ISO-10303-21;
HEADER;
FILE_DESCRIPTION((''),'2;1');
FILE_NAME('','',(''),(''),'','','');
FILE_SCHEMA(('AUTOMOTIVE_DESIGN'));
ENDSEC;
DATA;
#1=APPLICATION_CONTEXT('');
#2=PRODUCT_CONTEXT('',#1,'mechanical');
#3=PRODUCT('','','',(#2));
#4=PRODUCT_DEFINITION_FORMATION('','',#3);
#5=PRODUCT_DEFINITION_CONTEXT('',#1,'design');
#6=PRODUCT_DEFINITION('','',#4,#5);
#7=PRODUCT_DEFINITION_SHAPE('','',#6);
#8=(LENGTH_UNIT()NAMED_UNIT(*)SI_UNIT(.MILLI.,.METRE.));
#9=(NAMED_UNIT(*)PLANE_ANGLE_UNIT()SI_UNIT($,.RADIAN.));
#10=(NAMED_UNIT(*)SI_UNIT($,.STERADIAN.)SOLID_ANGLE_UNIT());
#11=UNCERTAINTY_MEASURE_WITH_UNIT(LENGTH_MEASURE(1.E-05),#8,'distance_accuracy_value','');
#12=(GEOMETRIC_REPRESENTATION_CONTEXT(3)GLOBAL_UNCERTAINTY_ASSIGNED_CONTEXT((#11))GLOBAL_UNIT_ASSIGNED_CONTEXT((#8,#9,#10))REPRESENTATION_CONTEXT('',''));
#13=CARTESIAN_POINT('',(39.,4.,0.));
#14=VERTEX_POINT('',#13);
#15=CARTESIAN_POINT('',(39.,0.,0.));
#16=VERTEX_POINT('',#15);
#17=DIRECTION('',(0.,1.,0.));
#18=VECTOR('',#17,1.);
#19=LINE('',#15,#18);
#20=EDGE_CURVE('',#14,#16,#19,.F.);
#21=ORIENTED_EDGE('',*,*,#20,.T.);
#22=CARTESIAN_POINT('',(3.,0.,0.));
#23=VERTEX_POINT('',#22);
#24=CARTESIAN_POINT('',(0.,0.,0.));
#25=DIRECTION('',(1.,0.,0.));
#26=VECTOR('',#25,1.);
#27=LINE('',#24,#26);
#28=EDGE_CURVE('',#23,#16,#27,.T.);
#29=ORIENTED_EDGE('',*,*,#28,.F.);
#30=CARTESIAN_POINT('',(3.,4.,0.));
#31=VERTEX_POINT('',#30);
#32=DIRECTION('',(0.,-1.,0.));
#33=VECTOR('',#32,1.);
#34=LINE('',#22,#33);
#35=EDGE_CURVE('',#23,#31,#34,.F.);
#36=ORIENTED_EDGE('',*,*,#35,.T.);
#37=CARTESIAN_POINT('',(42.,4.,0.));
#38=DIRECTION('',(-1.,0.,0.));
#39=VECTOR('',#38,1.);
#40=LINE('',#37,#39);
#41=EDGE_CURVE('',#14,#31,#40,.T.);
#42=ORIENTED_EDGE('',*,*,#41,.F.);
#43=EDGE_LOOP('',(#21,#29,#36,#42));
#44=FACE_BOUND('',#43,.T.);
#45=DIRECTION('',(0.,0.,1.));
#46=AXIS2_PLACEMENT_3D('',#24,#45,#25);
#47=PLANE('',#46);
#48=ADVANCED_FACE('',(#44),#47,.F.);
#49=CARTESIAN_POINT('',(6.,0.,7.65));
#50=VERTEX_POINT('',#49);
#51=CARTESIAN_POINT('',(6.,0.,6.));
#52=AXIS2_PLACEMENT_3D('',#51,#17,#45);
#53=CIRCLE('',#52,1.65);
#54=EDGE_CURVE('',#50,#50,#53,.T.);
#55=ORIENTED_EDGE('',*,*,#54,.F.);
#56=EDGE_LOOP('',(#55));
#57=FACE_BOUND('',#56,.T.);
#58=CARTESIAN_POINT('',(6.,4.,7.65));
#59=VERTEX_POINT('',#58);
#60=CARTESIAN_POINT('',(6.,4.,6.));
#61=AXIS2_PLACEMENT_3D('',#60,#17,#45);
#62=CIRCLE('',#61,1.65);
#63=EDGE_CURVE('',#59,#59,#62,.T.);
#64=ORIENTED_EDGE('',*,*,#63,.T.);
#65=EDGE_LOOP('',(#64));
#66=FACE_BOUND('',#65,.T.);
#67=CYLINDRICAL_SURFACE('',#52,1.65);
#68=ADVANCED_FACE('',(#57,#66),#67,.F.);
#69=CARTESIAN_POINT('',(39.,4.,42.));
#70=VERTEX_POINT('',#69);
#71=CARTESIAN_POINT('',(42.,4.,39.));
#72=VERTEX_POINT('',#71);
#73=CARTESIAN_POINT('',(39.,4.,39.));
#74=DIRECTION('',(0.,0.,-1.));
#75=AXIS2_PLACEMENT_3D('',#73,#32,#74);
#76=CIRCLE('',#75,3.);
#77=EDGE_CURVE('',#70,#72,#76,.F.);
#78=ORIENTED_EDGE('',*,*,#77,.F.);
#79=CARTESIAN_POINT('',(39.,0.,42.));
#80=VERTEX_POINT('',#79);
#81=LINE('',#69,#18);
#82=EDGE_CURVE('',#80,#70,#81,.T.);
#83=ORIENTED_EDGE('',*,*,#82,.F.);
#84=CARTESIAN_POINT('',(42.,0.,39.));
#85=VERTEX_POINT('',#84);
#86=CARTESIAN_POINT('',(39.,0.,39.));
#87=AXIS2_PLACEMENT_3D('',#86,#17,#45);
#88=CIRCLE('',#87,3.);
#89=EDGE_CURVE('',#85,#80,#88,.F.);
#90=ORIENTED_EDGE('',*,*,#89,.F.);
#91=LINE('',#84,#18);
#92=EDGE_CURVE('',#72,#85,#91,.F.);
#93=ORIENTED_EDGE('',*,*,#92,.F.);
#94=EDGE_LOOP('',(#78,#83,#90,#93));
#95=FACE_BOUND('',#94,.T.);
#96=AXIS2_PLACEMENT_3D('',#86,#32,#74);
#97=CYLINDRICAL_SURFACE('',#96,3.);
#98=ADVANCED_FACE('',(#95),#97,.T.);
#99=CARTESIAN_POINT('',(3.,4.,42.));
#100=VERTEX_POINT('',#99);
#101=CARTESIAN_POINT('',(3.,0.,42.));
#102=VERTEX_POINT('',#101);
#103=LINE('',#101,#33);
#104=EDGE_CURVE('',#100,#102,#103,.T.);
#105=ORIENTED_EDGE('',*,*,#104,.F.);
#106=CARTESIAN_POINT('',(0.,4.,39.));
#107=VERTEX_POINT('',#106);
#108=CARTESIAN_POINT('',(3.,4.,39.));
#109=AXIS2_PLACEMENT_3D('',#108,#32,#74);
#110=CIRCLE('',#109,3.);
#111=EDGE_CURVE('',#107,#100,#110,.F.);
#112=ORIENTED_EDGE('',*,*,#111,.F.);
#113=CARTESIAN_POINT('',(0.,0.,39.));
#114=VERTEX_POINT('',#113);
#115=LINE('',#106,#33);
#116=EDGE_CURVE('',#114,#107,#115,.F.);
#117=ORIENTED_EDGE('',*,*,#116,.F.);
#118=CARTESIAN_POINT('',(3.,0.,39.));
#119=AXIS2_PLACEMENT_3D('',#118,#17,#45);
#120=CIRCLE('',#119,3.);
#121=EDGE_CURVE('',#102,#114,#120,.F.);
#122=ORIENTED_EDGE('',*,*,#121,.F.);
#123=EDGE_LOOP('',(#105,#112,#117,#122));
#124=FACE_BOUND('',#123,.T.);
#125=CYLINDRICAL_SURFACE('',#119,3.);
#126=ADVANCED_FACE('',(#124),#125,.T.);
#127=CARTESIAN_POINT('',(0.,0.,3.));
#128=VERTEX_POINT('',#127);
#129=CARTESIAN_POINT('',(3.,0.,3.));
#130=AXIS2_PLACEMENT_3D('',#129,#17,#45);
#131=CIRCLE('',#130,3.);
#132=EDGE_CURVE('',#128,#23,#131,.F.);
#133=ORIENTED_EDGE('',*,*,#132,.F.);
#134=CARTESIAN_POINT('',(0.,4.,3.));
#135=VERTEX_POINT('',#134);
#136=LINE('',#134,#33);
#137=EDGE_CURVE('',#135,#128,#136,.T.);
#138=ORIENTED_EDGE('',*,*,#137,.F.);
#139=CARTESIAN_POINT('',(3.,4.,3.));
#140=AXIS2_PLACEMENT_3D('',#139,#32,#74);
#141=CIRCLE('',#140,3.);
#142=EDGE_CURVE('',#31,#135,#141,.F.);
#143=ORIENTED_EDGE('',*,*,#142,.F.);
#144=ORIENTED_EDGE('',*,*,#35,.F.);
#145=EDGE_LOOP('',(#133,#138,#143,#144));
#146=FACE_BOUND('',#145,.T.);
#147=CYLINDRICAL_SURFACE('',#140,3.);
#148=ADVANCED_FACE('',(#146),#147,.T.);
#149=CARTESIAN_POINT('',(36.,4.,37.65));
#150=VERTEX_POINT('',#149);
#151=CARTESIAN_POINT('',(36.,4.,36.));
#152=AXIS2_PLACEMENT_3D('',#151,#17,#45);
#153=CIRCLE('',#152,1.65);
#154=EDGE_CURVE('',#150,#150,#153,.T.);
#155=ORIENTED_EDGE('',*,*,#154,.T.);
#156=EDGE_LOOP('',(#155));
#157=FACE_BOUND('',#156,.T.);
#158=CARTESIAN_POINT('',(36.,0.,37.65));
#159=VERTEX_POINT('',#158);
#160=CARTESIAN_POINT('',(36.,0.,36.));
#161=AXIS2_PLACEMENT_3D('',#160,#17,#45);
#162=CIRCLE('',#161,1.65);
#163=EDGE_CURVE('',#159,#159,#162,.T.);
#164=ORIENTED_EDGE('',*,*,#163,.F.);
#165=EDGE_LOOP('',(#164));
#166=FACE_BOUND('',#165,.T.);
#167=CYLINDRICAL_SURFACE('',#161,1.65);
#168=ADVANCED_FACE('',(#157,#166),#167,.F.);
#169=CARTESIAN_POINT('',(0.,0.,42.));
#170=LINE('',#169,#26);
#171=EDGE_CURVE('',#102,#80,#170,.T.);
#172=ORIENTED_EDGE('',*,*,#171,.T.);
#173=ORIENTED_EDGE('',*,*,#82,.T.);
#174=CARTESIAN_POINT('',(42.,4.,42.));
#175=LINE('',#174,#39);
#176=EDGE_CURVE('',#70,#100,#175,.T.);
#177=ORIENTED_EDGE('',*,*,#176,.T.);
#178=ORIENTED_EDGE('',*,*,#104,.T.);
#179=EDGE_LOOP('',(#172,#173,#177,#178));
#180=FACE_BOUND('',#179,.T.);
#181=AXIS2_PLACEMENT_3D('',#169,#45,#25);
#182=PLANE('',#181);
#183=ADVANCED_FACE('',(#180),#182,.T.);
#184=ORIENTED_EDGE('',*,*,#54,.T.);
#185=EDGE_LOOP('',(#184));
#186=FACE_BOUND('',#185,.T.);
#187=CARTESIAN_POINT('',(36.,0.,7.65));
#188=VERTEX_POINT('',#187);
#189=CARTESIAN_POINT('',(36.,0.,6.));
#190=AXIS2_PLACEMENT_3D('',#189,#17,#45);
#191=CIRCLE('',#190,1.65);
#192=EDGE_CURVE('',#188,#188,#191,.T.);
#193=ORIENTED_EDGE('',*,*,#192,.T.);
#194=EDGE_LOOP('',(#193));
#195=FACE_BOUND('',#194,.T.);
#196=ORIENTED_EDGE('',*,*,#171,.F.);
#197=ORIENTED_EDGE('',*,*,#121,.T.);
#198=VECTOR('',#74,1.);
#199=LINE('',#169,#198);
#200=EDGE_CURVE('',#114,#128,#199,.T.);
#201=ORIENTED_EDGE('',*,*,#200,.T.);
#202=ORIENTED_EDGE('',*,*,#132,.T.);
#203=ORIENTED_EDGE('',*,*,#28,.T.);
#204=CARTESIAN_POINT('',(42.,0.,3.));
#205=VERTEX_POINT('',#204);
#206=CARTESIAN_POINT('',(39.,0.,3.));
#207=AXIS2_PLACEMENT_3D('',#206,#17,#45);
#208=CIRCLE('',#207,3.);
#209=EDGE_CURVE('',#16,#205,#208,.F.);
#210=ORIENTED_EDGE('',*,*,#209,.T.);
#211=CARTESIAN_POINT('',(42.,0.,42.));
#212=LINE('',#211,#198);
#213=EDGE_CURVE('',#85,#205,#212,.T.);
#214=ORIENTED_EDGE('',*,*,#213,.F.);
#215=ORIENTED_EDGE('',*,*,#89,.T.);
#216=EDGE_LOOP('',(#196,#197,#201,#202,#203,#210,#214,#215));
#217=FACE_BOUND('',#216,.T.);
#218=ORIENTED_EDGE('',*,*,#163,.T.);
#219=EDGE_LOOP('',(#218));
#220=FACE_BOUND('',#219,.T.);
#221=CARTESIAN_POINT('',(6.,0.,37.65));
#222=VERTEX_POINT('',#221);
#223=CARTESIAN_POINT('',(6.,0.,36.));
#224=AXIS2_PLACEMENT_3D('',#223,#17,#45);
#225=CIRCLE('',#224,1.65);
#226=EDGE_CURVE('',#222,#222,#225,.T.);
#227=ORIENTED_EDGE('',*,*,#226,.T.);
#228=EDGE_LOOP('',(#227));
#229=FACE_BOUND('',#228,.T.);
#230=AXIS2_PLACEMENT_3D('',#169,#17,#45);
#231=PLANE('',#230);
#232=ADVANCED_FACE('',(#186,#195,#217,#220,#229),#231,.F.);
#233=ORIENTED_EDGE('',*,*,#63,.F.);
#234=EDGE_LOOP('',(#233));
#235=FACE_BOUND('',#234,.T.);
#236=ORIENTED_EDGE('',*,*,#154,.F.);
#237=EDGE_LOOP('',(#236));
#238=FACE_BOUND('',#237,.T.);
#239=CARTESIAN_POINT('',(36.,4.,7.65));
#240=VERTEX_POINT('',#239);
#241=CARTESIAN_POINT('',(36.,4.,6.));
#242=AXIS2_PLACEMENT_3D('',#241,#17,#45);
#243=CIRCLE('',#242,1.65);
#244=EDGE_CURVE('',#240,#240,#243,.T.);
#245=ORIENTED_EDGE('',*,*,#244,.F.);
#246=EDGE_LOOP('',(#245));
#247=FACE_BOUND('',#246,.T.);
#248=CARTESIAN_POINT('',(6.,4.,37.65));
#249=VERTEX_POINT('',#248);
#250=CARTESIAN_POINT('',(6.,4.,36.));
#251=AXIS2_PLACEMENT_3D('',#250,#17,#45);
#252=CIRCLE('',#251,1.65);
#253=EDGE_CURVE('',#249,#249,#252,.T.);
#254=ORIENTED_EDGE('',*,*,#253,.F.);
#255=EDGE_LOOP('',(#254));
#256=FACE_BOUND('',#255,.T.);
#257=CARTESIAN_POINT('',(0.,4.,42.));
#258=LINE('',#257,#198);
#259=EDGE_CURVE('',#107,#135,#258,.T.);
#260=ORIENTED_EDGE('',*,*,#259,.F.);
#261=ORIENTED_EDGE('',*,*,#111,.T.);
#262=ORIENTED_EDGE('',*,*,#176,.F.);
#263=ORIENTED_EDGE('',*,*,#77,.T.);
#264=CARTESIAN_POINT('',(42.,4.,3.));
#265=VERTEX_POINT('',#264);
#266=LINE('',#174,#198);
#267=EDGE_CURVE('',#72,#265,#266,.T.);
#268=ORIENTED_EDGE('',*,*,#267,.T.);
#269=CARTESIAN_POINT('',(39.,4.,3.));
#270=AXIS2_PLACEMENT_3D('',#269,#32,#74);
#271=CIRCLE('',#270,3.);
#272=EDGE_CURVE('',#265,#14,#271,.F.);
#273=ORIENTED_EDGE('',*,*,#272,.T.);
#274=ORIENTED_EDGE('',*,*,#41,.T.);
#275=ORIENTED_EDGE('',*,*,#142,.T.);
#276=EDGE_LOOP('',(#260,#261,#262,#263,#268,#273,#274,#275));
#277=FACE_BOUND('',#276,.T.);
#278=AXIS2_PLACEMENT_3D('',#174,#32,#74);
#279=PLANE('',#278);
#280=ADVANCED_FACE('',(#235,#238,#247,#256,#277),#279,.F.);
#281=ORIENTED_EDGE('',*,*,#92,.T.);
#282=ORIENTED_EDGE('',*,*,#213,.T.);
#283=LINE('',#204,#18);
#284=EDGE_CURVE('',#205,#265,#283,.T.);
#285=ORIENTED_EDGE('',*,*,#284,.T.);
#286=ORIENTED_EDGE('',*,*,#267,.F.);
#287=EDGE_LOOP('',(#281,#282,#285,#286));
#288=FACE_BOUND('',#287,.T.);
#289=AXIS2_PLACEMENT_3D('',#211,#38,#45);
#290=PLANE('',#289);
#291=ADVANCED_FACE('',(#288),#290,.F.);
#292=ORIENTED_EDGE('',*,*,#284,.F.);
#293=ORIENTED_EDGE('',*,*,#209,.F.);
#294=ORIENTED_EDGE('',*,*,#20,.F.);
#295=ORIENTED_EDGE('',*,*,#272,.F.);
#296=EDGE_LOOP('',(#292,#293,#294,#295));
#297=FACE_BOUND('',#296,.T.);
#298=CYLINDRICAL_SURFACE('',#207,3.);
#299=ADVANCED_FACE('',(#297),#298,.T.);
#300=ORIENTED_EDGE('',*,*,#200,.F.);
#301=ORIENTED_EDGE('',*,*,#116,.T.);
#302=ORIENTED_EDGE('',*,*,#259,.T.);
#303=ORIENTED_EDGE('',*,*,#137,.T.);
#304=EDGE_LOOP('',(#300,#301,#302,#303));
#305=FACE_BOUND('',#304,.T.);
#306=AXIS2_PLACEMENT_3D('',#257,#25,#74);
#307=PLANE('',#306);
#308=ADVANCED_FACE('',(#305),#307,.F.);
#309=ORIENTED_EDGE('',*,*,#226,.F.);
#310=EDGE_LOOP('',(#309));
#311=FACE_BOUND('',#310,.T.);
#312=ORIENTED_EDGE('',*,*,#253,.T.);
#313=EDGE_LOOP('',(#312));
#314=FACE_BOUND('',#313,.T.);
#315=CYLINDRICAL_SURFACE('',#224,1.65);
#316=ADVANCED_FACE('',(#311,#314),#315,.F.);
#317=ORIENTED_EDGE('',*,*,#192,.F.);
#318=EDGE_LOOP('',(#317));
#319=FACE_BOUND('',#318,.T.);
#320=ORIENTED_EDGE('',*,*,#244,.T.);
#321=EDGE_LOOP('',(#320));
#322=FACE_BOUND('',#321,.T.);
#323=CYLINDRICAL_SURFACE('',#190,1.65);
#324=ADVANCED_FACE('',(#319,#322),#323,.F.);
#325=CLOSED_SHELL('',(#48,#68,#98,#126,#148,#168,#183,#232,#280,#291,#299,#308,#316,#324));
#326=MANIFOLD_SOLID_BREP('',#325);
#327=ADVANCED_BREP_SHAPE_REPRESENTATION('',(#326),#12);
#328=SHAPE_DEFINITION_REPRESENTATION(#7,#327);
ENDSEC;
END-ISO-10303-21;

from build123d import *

# Parameters (mm, degrees)
SKETCH_1_W          = 42
SKETCH_1_H          = 4
BLOCKEXTRUDE_DEPTH  = 42
FILLET_2_R          = 3
SKETCH_2_R          = 1.65
MOUNT_HOLE_DEPTH    = 60.531504265
SKETCH_3_R          = 1.65
CUT_EXTRUDE_2_DEPTH = 60.531504265
SKETCH_4_R          = 1.65
CUT_EXTRUDE_3_DEPTH = 60.531504265
SKETCH_5_R          = 1.65
CUT_EXTRUDE_4_DEPTH = 60.531504265


with BuildPart() as part:
    # 草图1 → BlockExtrude (new body)
    with BuildSketch(Plane.XY):
        with Locations((21, 2)):
            Rectangle(SKETCH_1_W, SKETCH_1_H)
    extrude(amount=BLOCKEXTRUDE_DEPTH)

    # Fillet 2
    fillet_2_edges = [part.edges().sort_by_distance(p)[0] for p in [
        (42, 2, 42),
        (0, 2, 42),
        (42, 2, 0),
        (0, 2, 0),
    ]]
    fillet(fillet_2_edges, radius=FILLET_2_R)

    # 草图2 → Mount_hole (cut, through all)
    with BuildSketch(Plane(origin=(0, 4, 0), x_dir=(1, 0, 0), z_dir=(0, 1, 0))):
        with Locations(Location((6, -6, 0), (0, 0, 270))):
            Circle(SKETCH_2_R)
    extrude(amount=-MOUNT_HOLE_DEPTH, mode=Mode.SUBTRACT)

    # 草图3 → 切除-拉伸2 (cut, through all)
    with BuildSketch(Plane(origin=(0, 4, 0), x_dir=(1, 0, 0), z_dir=(0, 1, 0))):
        with Locations(Location((6, -36, 0), (0, 0, 270))):
            Circle(SKETCH_3_R)
    extrude(amount=-CUT_EXTRUDE_2_DEPTH, mode=Mode.SUBTRACT)

    # 草图4 → 切除-拉伸3 (cut, through all)
    with BuildSketch(Plane(origin=(0, 4, 0), x_dir=(1, 0, 0), z_dir=(0, 1, 0))):
        with Locations(Location((36, -6, 0), (0, 0, 270))):
            Circle(SKETCH_4_R)
    extrude(amount=-CUT_EXTRUDE_3_DEPTH, mode=Mode.SUBTRACT)

    # 草图5 → 切除-拉伸4 (cut, through all)
    with BuildSketch(Plane(origin=(0, 4, 0), x_dir=(1, 0, 0), z_dir=(0, 1, 0))):
        with Locations(Location((36, -36, 0), (0, 0, 270))):
            Circle(SKETCH_5_R)
    extrude(amount=-CUT_EXTRUDE_4_DEPTH, mode=Mode.SUBTRACT)


solid = part.part
